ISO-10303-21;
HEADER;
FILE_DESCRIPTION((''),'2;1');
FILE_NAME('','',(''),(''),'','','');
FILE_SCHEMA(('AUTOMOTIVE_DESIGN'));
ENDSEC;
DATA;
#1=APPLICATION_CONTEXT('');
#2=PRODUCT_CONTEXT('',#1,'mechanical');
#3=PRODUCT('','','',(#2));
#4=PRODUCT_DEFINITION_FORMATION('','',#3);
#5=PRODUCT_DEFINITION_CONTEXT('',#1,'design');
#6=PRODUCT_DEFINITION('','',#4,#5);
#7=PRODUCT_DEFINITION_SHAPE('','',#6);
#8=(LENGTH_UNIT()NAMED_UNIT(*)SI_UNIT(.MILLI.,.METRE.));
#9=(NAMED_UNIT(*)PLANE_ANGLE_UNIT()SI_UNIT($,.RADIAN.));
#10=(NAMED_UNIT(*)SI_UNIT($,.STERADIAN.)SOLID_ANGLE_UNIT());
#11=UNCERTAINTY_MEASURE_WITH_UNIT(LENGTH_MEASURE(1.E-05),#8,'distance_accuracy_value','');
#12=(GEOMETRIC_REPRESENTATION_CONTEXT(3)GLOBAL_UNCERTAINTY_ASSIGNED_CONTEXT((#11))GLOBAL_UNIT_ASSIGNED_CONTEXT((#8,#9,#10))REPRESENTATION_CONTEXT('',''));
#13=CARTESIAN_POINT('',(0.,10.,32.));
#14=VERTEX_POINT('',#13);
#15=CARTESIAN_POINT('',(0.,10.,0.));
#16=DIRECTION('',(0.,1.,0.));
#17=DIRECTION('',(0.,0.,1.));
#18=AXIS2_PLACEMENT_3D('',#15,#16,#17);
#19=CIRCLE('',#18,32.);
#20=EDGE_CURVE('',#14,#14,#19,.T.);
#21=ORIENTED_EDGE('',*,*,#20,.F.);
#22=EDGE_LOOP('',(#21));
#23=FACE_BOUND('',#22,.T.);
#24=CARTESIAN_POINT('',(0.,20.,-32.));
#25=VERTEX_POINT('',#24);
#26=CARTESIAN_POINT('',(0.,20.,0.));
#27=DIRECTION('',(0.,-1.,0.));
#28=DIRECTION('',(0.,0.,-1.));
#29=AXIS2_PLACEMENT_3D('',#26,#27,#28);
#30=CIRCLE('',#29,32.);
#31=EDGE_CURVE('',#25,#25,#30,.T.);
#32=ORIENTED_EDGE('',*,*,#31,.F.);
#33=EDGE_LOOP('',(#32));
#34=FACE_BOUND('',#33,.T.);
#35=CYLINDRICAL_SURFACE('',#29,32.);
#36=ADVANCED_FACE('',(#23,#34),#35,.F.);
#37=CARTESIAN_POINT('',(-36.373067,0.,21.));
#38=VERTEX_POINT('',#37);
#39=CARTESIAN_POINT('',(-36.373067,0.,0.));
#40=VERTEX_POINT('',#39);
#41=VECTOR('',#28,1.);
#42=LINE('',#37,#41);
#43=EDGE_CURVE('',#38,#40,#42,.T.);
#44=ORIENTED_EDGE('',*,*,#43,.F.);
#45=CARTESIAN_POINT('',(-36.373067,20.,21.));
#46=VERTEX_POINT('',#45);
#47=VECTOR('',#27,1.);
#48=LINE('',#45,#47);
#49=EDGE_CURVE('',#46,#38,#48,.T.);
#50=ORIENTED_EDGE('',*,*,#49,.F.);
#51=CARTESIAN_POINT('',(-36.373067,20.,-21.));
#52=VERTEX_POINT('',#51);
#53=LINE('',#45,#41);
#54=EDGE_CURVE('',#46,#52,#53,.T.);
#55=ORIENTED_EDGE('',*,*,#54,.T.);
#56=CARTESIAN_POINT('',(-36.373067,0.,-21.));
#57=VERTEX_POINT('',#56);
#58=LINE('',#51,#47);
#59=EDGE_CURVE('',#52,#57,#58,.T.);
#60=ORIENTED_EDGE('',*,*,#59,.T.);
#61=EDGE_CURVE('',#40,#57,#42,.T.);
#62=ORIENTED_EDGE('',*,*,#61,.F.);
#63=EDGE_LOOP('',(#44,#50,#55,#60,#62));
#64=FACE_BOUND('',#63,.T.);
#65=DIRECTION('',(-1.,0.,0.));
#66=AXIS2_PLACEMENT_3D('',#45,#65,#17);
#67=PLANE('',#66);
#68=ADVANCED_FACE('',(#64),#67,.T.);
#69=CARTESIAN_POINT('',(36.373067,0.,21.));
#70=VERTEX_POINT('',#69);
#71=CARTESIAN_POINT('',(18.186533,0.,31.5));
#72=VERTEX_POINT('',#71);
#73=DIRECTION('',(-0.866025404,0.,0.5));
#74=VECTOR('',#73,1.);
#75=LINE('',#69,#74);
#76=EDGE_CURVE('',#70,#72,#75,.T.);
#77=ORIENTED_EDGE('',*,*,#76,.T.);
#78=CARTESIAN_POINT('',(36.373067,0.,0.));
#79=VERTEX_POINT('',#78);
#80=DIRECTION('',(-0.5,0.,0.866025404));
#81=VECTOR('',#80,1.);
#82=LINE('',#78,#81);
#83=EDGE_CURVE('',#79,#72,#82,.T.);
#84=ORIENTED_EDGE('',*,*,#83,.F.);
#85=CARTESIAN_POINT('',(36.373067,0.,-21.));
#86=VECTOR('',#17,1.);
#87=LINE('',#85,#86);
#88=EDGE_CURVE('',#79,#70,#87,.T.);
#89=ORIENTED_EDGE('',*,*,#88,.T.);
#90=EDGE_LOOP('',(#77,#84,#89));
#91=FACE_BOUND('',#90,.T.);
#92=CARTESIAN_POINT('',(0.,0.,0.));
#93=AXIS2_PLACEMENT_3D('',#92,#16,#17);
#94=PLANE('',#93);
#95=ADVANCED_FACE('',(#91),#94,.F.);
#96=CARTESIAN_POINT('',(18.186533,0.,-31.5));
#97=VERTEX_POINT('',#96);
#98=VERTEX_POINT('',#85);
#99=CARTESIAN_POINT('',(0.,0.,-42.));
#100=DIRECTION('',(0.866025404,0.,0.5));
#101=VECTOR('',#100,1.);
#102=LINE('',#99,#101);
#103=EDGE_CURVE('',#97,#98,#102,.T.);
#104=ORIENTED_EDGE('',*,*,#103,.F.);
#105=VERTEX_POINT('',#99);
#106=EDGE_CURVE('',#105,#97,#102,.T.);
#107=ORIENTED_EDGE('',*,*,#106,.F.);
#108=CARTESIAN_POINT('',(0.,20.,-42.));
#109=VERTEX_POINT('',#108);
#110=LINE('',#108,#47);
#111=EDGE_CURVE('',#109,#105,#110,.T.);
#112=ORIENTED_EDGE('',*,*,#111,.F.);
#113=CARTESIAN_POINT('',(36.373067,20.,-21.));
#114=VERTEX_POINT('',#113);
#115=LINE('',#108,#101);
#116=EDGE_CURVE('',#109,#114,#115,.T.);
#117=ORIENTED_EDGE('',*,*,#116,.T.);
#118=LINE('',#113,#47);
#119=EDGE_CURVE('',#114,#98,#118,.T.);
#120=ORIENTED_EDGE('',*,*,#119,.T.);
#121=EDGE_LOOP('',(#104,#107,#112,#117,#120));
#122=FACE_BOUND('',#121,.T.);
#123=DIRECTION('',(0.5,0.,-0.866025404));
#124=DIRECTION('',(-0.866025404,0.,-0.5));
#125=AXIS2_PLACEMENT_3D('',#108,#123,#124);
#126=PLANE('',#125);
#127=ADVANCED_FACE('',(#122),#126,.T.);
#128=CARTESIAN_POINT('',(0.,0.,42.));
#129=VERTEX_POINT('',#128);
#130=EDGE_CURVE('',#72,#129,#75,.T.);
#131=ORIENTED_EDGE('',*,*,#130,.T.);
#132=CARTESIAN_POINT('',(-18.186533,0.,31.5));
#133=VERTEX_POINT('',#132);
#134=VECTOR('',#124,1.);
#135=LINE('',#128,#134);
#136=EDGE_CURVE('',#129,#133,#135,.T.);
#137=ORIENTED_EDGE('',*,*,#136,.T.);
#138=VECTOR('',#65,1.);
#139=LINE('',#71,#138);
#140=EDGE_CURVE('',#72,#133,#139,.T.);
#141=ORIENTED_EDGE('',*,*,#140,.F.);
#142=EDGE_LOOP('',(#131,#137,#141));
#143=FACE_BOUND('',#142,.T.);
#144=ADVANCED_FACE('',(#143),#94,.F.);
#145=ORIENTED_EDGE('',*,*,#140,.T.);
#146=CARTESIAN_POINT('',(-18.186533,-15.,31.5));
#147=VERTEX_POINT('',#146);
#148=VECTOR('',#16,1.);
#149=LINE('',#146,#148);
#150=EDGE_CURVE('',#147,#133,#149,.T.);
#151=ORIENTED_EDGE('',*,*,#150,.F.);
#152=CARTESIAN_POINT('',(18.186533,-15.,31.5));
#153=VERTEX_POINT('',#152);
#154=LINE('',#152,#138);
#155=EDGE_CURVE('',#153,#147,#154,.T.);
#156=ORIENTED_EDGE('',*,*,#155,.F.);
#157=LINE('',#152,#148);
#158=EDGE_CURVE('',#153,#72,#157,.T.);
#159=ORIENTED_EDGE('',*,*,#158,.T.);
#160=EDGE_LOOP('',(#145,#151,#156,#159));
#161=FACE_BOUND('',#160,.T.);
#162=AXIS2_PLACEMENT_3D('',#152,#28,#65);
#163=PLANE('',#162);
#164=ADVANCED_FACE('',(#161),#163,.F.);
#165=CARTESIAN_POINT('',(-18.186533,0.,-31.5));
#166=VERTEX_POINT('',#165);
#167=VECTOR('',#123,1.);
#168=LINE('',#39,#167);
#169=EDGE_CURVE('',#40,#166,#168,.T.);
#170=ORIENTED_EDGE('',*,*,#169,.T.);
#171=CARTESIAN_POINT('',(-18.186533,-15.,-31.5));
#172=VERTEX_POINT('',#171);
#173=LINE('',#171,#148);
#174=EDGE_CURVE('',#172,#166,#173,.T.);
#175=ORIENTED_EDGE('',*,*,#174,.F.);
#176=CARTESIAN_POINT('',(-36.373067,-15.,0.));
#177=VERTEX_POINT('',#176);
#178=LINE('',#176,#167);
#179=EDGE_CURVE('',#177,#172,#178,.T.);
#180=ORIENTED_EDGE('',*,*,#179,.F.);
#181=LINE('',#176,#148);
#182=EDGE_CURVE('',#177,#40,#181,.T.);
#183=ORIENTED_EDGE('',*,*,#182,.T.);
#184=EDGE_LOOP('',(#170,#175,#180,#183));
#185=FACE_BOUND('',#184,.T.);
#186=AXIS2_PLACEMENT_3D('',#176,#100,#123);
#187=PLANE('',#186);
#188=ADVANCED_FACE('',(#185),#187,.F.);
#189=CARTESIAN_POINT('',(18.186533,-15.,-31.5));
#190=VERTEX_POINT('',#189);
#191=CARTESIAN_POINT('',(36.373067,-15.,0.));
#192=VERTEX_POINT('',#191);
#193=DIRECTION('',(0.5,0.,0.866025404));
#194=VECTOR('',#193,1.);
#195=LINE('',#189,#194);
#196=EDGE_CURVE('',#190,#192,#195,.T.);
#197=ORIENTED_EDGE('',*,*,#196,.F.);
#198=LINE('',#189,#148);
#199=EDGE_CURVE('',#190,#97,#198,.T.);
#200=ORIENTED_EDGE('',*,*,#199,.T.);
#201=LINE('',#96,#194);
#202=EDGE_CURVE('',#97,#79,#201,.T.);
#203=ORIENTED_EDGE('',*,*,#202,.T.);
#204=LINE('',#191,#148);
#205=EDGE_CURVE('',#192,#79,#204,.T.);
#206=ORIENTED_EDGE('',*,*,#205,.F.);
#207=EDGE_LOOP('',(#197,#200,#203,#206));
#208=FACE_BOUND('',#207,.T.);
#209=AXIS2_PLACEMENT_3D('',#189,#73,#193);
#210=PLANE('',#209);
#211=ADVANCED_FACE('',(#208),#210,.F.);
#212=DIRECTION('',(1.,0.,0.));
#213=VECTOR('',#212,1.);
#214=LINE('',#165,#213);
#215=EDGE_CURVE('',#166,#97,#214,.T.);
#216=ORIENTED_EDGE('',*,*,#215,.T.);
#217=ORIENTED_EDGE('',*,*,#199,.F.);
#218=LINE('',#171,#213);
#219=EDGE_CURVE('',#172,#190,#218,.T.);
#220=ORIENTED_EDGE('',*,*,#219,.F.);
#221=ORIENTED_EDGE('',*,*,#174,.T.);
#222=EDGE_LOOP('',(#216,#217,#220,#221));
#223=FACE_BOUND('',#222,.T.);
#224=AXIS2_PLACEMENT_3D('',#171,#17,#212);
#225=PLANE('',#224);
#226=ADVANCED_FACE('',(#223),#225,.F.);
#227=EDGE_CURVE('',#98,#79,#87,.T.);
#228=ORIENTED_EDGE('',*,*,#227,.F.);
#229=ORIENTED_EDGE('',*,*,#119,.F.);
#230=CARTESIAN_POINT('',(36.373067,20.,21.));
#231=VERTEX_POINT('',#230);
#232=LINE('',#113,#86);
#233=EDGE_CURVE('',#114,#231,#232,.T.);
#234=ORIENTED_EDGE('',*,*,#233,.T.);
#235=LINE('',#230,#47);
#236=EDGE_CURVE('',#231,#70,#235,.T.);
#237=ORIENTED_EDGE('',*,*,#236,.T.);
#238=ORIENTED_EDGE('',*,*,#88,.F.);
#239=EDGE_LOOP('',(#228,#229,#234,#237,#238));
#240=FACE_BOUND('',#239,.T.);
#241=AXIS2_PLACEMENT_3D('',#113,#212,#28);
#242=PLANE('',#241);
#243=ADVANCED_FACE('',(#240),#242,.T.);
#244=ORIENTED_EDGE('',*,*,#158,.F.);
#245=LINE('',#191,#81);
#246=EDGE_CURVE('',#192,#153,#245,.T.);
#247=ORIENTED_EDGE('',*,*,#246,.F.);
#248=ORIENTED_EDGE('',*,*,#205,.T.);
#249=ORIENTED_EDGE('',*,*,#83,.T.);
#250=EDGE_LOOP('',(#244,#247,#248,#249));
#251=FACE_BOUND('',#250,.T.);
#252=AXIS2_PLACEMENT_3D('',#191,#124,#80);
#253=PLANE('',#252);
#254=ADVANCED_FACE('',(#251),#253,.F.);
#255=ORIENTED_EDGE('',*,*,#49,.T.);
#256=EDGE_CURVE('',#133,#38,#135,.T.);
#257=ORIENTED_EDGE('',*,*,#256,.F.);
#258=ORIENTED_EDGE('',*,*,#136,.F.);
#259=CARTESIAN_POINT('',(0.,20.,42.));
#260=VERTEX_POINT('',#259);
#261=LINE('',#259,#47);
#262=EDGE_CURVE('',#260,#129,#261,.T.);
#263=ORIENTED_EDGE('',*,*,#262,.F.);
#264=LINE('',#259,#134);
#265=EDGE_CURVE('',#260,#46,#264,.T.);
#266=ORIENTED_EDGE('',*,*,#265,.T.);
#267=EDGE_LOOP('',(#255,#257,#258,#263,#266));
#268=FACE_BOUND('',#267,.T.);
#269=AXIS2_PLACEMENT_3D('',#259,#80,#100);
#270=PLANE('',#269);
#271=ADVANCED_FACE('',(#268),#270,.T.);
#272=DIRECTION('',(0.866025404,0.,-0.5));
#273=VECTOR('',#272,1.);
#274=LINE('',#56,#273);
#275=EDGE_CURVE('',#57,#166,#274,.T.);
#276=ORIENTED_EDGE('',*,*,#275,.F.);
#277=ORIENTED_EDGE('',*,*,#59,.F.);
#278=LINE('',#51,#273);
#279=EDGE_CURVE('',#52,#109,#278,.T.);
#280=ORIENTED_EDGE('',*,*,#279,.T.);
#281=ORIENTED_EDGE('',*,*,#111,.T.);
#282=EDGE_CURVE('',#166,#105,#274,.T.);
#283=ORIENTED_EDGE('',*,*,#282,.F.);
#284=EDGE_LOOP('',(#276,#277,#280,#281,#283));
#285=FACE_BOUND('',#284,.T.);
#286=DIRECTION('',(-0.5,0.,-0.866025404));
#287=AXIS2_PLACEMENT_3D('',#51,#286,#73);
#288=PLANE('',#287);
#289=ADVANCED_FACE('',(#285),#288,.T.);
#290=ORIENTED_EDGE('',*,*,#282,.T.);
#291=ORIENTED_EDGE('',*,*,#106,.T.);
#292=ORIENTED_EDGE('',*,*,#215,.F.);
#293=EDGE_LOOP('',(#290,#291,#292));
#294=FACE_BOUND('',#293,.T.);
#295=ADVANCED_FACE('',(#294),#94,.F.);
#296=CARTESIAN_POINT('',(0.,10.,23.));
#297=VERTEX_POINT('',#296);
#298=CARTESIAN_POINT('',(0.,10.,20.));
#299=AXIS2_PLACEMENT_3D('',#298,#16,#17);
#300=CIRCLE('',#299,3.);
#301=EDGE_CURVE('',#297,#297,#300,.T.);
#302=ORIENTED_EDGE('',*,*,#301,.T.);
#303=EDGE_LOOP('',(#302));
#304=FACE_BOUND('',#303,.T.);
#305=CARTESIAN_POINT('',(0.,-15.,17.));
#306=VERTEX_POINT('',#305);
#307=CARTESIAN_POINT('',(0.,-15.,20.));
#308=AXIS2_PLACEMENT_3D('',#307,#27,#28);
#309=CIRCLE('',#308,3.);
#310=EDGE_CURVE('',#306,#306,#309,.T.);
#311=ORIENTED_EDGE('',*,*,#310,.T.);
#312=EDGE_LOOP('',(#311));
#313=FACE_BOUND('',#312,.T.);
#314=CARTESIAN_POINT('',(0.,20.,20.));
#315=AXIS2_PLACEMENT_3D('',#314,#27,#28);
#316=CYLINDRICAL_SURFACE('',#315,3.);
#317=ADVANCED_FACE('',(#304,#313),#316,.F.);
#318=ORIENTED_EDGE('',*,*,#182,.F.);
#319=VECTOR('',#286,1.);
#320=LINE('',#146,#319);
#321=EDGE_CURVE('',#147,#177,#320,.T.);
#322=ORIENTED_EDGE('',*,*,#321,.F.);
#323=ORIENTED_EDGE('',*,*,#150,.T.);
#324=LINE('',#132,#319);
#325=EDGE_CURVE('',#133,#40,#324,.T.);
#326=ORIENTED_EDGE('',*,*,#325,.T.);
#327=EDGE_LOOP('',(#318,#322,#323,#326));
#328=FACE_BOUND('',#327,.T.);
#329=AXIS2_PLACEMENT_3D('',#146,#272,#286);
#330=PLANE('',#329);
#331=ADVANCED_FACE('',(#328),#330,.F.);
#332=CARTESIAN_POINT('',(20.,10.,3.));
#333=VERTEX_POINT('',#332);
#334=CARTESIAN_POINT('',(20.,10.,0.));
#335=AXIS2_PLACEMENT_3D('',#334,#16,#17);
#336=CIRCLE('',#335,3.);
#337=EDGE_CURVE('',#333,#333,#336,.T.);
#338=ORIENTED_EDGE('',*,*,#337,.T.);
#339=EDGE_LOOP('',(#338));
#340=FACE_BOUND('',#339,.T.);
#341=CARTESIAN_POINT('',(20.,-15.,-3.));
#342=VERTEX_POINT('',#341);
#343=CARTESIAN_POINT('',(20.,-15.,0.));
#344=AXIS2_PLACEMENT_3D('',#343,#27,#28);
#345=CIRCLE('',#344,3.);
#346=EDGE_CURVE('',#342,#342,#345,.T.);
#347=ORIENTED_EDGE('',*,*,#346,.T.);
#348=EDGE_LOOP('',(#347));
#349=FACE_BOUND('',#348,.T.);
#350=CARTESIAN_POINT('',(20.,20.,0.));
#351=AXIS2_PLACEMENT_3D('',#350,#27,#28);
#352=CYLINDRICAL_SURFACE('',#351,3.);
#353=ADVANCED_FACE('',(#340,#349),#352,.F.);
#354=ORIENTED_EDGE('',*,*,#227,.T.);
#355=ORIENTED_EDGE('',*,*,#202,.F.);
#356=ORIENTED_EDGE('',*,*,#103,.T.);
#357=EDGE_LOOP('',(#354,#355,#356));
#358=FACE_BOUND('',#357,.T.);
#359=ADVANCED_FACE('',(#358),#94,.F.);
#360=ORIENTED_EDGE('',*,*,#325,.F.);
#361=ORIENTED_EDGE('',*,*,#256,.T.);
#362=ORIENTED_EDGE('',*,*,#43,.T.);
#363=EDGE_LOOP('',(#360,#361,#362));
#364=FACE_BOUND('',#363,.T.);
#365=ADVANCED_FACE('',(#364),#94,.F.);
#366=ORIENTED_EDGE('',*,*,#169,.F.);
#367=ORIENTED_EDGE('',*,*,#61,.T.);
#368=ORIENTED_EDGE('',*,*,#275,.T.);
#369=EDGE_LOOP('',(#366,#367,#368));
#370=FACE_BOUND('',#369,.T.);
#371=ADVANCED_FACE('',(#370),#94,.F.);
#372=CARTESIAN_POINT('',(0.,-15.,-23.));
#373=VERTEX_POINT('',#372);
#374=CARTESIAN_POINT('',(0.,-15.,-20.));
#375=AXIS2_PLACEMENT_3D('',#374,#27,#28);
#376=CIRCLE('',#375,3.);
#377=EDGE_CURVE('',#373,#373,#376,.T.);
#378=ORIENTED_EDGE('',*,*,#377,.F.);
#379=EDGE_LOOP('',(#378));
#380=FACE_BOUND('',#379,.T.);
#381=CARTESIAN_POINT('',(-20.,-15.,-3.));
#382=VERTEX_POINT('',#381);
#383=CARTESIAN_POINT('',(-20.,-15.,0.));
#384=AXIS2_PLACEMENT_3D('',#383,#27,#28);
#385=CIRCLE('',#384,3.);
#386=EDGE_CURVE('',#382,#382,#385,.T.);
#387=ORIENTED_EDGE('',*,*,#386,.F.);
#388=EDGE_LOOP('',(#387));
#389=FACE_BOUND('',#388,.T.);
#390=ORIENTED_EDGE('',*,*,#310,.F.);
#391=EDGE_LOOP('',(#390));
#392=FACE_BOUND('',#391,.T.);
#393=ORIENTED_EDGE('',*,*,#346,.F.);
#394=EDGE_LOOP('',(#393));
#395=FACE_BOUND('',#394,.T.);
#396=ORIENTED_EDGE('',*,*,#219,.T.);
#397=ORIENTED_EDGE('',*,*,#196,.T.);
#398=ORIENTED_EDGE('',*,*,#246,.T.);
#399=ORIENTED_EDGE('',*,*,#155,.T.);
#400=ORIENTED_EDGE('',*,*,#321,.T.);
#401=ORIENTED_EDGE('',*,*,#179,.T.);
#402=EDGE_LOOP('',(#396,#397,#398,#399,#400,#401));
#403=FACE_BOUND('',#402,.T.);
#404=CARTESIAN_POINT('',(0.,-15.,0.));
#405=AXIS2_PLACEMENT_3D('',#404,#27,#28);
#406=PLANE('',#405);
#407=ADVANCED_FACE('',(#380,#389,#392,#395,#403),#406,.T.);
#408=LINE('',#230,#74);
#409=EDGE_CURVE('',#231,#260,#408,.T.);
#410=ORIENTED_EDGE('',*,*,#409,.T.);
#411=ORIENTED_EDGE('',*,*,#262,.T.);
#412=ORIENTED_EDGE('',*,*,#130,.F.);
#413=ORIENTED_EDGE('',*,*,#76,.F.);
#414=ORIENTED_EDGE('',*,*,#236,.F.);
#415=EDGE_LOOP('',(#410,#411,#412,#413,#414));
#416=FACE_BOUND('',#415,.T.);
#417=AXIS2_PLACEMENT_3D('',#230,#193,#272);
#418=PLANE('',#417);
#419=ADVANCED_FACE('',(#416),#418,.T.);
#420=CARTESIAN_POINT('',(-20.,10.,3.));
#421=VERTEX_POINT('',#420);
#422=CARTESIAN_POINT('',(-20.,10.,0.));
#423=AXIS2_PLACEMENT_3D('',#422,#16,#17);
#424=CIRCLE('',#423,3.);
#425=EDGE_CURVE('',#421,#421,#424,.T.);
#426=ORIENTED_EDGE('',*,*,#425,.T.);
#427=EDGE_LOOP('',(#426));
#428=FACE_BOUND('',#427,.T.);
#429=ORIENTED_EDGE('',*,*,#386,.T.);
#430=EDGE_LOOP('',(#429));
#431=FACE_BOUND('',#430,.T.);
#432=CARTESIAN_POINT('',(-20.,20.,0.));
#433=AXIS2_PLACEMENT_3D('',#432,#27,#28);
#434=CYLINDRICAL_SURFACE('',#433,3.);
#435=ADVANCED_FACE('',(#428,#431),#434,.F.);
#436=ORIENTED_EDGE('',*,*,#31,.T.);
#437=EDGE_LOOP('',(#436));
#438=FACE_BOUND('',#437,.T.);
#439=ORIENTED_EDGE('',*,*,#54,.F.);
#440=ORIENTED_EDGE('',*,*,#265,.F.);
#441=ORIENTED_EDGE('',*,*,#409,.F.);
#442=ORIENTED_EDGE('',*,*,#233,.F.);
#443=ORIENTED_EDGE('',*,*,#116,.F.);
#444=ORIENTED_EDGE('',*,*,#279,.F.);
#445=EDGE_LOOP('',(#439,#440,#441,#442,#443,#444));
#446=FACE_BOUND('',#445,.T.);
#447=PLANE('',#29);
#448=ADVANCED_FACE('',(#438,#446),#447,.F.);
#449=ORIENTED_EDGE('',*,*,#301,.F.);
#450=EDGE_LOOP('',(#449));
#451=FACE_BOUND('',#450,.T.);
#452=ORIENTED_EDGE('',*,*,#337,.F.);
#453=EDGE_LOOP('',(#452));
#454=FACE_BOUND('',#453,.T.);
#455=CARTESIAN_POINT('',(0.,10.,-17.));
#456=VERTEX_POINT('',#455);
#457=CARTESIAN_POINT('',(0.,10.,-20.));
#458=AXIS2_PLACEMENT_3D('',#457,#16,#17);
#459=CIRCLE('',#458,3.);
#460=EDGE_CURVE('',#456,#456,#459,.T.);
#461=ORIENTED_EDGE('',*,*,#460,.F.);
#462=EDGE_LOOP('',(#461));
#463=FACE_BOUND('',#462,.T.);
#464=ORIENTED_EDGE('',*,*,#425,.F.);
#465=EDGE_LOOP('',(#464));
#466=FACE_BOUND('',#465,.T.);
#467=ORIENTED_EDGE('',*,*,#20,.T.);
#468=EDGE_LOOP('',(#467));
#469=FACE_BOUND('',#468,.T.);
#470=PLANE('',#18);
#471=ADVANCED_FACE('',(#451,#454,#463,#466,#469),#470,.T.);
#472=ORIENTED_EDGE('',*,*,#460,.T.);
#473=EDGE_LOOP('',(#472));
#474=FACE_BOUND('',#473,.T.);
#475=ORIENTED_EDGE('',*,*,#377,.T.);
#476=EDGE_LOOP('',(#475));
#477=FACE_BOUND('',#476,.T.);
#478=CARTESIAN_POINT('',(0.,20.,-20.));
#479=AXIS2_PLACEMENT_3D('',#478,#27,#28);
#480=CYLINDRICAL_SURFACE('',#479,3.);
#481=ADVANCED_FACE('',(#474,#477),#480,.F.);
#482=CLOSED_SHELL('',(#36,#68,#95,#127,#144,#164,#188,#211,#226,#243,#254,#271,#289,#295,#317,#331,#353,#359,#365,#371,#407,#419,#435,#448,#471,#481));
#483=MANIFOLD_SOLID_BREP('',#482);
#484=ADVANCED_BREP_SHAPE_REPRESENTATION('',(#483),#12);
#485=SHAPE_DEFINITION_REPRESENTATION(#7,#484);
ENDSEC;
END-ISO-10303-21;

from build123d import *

# Parameters (mm, degrees)
SKETCH2_R           = 32
BOSS_EXTRUDE1_DEPTH = 10
SKETCH3_R           = 42
SKETCH3_R_2         = 32
EXTRUDE_THIN1_DEPTH = 20
SKETCH4_OUTSIDE_W   = 110.094
SKETCH4_OUTSIDE_H   = 110.094
CUT_EXTRUDE1_DEPTH  = 63.673758464
BOSS_EXTRUDE2_DEPTH = 15
SKETCH6_R           = 3
CUT_EXTRUDE2_DEPTH  = 66.665820638


with BuildPart() as part:
    # Sketch2 → Boss-Extrude1 (new body)
    with BuildSketch(Plane(origin=(0, 0, 0), x_dir=(1, 0, 0), z_dir=(0, 1, 0))):
        with Locations(Location((0, 0, 0), (0, 0, 270))):
            Circle(SKETCH2_R)
    extrude(amount=BOSS_EXTRUDE1_DEPTH)

    # Sketch3 → Extrude-Thin1 (add)
    with BuildSketch(Plane.XZ):
        Circle(SKETCH3_R)
        Circle(SKETCH3_R_2, mode=Mode.SUBTRACT)
    extrude(amount=-EXTRUDE_THIN1_DEPTH)

    # Sketch4 outside → Cut-Extrude1 (cut, through all)
    with BuildSketch(Plane.XZ):
        Rectangle(SKETCH4_OUTSIDE_W, SKETCH4_OUTSIDE_H)
        Polygon((36.373066959, -21), (36.373066959, 21), (0, 42), (-36.373066959, 21), (-36.373066959, -21), (0, -42), align=None, mode=Mode.SUBTRACT)
    extrude(amount=-CUT_EXTRUDE1_DEPTH, mode=Mode.SUBTRACT)

    # Sketch5 → Boss-Extrude2 (add)
    with BuildSketch(Plane.XZ):
        Polygon((36.373066959, 0), (18.186533479, 31.5), (-18.186533479, 31.5), (-36.373066959, 0), (-18.186533479, -31.5), (18.186533479, -31.5), align=None)
    extrude(amount=BOSS_EXTRUDE2_DEPTH)

    # Sketch6 → Cut-Extrude2 (cut, through all)
    with BuildSketch(Plane.XZ.offset(15)):
        with Locations(Location((0, 20, 0), (0, 0, 270))):
            Circle(SKETCH6_R)
        with Locations(Location((20, 0, 0), (0, 0, 270))):
            Circle(SKETCH6_R)
        with Locations(Location((0, -20, 0), (0, 0, 270))):
            Circle(SKETCH6_R)
        with Locations(Location((-20, 0, 0), (0, 0, 270))):
            Circle(SKETCH6_R)
    extrude(amount=-CUT_EXTRUDE2_DEPTH, mode=Mode.SUBTRACT)


solid = part.part
